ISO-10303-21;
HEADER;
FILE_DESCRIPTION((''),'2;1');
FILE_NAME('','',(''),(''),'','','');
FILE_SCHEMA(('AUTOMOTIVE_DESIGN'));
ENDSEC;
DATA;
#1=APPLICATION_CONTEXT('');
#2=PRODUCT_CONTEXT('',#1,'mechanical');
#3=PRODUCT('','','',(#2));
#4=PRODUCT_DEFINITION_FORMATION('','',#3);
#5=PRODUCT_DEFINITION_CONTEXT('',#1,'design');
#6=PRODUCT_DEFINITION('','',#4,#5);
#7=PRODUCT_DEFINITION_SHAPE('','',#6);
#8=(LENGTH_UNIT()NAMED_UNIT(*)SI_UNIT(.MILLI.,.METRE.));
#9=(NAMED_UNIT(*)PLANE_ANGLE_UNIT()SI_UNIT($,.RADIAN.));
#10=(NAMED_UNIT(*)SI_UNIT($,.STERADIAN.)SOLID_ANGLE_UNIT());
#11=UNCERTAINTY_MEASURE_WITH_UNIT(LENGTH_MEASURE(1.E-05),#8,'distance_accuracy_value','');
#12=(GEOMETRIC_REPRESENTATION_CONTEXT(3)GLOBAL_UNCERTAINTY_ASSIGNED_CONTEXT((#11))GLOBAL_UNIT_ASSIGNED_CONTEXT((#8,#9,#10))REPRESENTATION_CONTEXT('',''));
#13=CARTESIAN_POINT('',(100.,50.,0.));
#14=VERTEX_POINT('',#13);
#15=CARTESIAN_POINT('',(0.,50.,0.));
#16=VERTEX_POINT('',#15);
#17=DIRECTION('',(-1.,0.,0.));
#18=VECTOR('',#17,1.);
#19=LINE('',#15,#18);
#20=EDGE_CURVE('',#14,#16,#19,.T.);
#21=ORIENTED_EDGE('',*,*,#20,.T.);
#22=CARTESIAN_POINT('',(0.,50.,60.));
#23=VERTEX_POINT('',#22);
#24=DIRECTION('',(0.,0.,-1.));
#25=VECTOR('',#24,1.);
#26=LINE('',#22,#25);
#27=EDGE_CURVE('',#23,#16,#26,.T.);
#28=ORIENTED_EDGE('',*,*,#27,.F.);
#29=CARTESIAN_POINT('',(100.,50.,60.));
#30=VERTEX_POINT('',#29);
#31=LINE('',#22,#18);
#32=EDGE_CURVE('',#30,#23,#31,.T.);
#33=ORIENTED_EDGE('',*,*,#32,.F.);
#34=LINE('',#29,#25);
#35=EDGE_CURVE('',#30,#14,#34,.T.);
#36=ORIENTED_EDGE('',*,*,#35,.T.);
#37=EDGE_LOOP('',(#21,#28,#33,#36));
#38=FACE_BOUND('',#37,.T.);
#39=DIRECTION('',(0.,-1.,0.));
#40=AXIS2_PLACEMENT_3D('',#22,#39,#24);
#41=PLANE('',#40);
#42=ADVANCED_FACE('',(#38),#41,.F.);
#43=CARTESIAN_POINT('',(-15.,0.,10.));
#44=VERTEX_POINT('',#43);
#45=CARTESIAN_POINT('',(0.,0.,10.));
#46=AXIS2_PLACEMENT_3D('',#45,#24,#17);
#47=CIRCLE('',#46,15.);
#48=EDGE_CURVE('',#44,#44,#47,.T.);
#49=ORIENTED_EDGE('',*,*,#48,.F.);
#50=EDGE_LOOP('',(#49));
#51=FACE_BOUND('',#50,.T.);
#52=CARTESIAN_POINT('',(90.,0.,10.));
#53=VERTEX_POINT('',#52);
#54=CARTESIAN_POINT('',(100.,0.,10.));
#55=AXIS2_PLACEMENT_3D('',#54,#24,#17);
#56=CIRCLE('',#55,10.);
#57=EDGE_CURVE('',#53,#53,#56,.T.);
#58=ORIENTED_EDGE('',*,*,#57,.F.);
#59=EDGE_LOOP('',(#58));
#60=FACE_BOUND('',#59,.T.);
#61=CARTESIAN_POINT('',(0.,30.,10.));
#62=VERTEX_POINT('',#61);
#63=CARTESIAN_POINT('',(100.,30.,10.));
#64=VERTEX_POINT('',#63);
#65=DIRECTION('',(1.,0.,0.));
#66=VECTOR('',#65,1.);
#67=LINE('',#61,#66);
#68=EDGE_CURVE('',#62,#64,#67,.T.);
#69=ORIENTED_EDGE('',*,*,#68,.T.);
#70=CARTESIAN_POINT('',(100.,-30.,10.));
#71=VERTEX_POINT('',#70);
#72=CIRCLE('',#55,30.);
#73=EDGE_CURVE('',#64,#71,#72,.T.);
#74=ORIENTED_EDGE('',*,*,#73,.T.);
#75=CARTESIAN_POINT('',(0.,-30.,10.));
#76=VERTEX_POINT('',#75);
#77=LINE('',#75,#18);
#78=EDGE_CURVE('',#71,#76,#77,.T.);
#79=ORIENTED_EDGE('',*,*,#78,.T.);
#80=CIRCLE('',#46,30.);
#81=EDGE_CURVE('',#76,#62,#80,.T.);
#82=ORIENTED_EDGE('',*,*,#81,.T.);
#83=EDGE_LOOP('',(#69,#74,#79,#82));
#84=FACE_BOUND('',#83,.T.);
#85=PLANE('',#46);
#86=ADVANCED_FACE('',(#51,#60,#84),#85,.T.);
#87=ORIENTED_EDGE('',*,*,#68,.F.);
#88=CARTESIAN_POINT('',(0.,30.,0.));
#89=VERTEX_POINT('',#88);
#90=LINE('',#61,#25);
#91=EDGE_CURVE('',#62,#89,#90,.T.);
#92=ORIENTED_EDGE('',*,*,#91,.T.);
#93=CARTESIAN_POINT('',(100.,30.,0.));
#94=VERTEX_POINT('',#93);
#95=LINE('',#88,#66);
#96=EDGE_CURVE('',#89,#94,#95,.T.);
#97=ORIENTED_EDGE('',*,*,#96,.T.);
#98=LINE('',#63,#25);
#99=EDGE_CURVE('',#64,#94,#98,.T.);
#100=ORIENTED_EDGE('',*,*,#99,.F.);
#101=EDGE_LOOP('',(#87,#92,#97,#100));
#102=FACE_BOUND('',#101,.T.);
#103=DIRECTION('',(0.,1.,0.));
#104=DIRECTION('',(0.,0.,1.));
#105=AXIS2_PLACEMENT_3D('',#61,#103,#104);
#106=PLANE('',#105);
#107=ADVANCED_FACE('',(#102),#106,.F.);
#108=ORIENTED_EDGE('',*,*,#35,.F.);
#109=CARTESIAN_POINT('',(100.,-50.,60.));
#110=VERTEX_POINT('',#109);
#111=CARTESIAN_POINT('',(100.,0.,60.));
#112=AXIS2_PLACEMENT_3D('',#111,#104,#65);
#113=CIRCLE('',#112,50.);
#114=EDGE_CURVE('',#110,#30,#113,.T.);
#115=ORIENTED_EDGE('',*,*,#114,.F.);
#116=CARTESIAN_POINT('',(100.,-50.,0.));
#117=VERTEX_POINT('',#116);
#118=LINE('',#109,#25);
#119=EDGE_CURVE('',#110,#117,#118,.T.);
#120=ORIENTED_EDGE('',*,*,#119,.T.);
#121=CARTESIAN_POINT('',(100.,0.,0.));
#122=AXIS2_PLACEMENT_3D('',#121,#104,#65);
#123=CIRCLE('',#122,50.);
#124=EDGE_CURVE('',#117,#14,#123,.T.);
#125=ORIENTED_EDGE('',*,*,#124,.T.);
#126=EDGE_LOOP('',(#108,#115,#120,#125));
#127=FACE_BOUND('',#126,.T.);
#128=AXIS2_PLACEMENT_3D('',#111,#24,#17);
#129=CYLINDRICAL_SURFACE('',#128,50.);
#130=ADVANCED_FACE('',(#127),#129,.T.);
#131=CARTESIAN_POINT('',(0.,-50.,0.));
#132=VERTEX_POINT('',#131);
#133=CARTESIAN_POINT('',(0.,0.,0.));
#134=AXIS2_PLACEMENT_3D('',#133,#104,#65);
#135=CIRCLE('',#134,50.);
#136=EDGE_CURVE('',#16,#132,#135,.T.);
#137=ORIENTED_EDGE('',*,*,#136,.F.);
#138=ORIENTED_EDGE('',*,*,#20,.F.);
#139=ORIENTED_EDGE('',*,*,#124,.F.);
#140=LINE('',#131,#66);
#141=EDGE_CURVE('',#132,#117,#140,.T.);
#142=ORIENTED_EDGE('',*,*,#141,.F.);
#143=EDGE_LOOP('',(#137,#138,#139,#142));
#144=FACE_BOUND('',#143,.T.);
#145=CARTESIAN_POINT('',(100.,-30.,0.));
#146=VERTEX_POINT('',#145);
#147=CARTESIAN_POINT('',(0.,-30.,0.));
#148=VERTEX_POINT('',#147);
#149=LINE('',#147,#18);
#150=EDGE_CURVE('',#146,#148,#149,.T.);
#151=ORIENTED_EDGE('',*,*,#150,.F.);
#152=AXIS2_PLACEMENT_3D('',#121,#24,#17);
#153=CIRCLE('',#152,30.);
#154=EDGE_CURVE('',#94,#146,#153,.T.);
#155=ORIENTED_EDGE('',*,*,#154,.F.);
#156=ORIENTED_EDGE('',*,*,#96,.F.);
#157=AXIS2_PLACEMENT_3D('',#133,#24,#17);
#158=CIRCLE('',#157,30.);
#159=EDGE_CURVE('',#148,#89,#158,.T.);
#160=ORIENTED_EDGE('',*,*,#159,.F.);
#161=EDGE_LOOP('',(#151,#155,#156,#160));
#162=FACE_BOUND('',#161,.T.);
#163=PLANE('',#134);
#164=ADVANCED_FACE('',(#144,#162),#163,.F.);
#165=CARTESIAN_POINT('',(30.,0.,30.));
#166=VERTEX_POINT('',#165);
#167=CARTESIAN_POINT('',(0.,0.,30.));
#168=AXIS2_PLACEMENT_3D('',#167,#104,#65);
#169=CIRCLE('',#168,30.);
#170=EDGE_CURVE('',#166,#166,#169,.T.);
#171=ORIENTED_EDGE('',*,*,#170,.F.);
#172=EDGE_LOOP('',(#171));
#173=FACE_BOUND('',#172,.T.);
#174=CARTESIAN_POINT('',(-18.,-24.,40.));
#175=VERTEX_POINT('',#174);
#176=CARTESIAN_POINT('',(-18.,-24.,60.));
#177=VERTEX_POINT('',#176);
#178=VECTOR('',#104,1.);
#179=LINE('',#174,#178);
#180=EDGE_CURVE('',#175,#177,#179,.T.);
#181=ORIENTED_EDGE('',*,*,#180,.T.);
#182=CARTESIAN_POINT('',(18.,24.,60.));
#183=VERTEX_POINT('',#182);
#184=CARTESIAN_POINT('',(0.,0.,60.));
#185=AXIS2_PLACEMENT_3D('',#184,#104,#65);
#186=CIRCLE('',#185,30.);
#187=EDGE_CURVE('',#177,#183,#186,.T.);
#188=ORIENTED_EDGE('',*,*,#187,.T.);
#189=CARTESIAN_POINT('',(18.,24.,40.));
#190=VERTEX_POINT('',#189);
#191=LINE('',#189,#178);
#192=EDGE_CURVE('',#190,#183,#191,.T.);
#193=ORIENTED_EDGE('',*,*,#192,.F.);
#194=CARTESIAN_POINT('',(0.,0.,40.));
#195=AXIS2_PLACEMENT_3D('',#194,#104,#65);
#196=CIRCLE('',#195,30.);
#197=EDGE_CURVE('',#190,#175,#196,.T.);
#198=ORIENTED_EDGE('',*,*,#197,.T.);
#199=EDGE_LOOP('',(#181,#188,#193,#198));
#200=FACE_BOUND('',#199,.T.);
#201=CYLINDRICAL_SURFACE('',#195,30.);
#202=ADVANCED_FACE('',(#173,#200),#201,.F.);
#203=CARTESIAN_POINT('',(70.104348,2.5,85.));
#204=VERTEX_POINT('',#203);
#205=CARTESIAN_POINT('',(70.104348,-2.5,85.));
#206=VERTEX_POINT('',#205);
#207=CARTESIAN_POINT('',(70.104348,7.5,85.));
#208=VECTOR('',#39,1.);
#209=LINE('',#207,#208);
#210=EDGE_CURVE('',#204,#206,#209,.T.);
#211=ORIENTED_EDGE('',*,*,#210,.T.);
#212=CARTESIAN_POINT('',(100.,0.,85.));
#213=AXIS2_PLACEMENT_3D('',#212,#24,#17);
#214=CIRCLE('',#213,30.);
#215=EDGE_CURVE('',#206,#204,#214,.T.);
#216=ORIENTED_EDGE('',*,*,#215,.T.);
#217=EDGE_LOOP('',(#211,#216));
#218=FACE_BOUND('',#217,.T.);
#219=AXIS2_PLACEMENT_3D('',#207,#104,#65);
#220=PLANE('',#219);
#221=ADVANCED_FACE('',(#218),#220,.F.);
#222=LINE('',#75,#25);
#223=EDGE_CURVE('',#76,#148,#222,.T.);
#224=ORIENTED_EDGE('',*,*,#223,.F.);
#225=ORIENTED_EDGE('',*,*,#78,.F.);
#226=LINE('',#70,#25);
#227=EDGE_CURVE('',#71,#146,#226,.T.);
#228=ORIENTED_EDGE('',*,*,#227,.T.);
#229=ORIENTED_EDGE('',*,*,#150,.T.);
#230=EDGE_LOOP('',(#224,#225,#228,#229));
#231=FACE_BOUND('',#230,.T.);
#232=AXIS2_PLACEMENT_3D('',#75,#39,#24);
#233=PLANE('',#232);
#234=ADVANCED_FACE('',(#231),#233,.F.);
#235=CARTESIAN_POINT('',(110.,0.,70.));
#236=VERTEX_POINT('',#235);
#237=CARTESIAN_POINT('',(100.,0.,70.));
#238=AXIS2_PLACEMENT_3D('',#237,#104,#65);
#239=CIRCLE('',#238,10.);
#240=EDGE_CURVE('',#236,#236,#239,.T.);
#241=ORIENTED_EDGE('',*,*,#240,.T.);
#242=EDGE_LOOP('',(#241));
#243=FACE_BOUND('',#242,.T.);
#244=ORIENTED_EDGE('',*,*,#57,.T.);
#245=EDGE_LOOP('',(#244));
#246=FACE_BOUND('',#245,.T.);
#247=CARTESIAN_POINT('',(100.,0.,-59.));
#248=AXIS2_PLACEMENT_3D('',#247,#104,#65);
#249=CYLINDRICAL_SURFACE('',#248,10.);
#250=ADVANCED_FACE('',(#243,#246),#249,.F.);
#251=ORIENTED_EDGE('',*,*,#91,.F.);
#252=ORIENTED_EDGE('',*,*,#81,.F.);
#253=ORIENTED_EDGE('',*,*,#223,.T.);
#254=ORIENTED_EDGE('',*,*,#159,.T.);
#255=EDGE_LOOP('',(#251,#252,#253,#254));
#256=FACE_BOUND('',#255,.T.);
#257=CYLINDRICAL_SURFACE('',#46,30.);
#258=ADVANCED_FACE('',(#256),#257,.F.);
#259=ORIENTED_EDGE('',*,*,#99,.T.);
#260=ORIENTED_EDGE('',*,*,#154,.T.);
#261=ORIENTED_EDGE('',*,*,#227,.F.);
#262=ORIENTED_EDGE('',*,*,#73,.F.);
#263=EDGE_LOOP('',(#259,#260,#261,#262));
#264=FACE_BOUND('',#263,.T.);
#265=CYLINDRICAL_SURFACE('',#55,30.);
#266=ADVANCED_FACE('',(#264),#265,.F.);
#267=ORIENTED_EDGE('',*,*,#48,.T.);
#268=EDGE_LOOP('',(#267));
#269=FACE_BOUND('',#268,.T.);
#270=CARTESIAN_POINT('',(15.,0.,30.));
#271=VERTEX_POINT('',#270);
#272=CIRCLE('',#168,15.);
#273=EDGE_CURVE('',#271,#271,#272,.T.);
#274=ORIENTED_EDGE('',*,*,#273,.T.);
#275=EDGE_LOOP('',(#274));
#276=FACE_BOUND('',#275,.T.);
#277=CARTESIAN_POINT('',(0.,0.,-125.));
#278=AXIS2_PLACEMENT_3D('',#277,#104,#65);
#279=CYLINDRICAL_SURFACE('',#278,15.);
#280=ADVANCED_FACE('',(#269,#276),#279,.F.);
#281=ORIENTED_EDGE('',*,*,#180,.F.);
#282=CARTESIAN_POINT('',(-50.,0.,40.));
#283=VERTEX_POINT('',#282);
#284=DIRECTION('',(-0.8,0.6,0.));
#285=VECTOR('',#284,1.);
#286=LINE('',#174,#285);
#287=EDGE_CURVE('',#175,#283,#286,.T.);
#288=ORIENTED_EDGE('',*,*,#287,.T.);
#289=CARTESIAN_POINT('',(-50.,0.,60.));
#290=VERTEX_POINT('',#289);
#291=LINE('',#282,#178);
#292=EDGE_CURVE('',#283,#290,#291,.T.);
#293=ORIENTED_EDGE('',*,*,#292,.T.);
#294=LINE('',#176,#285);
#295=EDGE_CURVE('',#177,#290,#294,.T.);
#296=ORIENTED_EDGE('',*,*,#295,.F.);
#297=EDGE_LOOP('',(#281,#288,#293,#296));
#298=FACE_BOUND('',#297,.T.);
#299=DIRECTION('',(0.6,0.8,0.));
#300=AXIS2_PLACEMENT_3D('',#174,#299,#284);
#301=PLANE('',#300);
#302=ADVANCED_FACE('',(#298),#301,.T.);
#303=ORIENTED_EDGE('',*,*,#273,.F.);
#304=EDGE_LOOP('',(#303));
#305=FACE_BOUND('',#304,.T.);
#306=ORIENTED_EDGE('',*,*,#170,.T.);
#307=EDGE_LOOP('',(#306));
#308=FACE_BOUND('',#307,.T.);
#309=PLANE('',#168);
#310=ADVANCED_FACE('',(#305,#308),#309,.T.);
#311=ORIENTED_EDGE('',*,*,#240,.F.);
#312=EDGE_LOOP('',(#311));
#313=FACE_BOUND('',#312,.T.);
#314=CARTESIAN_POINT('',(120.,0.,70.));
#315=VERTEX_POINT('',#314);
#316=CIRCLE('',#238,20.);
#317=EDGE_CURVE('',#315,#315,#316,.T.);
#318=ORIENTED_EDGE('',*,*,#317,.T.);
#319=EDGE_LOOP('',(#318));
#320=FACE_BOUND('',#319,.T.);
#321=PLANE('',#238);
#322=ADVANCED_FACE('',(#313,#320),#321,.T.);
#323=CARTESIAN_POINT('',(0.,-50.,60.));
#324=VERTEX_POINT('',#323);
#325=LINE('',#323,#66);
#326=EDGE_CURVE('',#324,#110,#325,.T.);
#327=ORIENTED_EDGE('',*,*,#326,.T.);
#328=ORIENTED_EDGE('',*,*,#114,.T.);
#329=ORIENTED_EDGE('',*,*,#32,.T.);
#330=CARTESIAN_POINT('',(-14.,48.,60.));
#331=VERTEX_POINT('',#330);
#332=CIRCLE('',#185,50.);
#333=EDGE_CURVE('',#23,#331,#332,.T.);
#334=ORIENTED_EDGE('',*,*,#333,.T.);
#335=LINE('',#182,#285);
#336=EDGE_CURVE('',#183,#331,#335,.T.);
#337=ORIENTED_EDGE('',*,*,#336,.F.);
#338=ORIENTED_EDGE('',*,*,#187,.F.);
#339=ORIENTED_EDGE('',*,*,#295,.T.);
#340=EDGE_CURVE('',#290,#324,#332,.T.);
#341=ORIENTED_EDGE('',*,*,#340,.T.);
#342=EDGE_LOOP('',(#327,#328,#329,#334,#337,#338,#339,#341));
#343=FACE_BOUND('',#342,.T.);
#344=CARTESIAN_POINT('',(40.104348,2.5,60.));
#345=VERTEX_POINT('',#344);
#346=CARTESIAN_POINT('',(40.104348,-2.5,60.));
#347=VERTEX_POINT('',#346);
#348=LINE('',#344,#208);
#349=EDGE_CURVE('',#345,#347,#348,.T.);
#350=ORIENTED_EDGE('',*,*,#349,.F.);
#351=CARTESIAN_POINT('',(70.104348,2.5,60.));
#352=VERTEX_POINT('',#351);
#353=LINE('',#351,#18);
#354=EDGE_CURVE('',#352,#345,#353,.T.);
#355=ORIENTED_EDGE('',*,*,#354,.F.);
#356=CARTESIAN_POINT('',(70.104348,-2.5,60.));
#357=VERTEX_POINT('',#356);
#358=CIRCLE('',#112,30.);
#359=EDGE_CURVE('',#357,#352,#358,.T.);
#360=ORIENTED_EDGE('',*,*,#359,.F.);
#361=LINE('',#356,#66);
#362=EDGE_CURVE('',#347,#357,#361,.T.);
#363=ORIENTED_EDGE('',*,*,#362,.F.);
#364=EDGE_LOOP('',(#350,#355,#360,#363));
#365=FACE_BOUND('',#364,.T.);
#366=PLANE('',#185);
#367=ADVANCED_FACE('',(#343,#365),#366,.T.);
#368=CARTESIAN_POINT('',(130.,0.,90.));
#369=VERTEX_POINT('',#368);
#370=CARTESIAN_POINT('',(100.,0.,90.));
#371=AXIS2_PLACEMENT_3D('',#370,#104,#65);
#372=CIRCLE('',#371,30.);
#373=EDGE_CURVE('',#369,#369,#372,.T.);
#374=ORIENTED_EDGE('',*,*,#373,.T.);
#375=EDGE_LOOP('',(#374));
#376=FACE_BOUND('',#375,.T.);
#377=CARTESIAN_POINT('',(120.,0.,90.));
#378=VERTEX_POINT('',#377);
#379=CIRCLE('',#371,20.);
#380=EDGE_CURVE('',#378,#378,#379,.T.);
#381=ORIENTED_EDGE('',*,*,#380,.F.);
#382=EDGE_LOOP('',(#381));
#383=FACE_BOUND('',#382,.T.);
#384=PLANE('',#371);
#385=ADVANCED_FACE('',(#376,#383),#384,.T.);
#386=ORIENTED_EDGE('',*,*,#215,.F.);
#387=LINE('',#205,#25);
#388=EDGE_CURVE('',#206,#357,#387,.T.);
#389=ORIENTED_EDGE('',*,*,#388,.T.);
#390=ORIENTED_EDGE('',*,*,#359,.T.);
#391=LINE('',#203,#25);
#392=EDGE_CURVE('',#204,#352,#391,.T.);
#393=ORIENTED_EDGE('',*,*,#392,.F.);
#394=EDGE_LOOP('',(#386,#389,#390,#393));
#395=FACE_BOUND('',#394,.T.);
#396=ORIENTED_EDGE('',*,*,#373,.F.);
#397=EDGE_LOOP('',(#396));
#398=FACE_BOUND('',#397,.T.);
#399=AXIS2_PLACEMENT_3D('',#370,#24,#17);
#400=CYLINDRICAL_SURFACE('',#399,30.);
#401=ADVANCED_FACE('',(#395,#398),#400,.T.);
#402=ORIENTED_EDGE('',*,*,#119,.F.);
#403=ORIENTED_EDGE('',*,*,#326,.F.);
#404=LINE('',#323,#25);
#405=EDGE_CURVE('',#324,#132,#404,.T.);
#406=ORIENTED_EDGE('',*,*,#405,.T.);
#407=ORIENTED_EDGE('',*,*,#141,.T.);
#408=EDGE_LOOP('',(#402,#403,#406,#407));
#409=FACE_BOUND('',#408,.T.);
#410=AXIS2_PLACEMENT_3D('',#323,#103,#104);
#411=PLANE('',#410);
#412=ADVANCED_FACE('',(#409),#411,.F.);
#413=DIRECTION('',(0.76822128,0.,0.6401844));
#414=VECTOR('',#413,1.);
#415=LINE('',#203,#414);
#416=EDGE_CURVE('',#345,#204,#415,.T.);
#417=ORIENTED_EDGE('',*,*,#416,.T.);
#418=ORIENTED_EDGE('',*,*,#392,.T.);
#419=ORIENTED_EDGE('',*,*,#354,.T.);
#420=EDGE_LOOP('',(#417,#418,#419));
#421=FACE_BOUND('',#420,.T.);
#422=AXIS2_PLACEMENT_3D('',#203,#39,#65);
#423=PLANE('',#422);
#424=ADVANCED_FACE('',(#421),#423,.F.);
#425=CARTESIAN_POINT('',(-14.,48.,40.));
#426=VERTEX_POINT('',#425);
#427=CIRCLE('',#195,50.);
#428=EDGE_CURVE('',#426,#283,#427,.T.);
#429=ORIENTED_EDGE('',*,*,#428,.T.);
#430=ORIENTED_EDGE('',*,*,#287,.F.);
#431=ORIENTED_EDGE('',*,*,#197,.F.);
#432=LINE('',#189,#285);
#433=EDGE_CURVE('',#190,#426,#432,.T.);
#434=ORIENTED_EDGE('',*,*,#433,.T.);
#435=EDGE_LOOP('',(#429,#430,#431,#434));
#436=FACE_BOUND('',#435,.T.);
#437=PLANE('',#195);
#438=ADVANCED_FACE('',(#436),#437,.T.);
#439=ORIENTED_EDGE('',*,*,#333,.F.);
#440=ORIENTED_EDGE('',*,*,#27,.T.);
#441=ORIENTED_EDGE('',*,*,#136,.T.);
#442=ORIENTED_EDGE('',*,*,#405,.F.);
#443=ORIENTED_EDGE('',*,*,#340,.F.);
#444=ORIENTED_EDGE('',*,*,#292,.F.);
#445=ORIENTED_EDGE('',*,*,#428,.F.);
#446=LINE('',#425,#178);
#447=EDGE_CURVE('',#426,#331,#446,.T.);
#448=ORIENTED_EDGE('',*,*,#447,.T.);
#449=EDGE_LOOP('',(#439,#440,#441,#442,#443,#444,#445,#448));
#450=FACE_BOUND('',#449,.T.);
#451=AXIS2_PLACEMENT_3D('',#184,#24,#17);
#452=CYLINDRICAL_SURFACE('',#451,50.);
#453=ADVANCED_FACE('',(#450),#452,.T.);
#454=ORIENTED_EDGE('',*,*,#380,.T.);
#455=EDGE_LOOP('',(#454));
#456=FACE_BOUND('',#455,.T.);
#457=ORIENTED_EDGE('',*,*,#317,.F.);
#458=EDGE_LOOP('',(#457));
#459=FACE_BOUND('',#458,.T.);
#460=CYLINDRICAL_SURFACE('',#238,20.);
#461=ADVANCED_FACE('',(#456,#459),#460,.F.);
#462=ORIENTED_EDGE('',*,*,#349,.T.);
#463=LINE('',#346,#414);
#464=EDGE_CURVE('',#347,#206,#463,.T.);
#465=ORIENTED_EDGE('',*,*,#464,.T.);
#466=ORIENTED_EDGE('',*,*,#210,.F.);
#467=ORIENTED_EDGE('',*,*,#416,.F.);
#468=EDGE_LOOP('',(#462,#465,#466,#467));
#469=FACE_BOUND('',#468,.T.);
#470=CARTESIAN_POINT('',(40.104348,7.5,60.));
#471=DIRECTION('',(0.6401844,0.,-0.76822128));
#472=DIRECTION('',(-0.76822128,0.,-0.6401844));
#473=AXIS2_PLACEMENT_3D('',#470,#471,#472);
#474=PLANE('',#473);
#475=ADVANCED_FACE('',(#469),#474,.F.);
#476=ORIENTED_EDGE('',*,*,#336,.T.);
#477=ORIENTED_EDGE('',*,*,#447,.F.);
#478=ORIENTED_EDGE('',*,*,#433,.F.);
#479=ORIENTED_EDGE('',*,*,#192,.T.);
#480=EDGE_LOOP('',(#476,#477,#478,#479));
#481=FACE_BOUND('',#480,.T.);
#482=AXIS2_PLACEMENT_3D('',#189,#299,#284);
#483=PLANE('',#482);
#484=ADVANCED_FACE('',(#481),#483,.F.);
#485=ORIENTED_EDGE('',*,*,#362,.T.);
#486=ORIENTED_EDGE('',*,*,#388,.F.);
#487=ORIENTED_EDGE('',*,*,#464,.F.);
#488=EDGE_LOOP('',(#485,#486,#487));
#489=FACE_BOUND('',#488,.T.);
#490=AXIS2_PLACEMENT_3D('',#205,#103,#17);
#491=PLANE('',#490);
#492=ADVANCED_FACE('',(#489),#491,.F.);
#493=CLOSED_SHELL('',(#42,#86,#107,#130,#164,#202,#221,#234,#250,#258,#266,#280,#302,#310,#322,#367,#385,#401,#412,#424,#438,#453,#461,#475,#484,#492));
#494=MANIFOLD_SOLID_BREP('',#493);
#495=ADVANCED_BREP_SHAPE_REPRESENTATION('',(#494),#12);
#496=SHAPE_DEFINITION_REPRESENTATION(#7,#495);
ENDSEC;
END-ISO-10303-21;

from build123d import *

# Parameters (mm, degrees)
BOSS_EXTRUDE1_DEPTH = 60
CUT_EXTRUDE1_DEPTH  = 10
SKETCH3_R           = 30
BOSS_EXTRUDE2_DEPTH = 30
SKETCH4_R           = 20
CUT_EXTRUDE3_DEPTH  = 20
SKETCH5_R           = 10
CUT_EXTRUDE4_DEPTH  = 129
SKETCH7_W           = 30
SKETCH7_H           = 5
BOSS_EXTRUDE3_DEPTH = 25
CUT_EXTRUDE5_DEPTH  = 20
SKETCH9_R           = 30
CUT_EXTRUDE6_DEPTH  = 10
SKETCH10_R          = 15
CUT_EXTRUDE7_DEPTH  = 155
CUT_EXTRUDE8_DEPTH  = 10


with BuildPart() as part:
    # Sketch1 → Boss-Extrude1 (new body)
    with BuildSketch(Plane.XY):
        with BuildLine():
            Line((0, 50), (100, 50))
            ThreePointArc((100, 50), (150, 0), (100, -50))
            Line((100, -50), (0, -50))
            ThreePointArc((0, -50), (-50, 0), (0, 50))
        make_face()
    extrude(amount=BOSS_EXTRUDE1_DEPTH)

    # Sketch2 → Cut-Extrude1 (cut)
    with BuildSketch(Plane(origin=(0, 0, 0), x_dir=(-1, 0, 0), z_dir=(0, 0, -1))):
        with BuildLine():
            Line((0, -30), (-100, -30))
            ThreePointArc((-100, -30), (-130, 0), (-100, 30))
            Line((-100, 30), (0, 30))
            ThreePointArc((0, 30), (30, 0), (0, -30))
        make_face()
    extrude(amount=-CUT_EXTRUDE1_DEPTH, mode=Mode.SUBTRACT)

    # Sketch3 → Boss-Extrude2 (add)
    with BuildSketch(Plane.XY.offset(60)):
        with Locations((100, 0)):
            Circle(SKETCH3_R)
    extrude(amount=BOSS_EXTRUDE2_DEPTH)

    # Sketch4 → Cut-Extrude3 (cut)
    with BuildSketch(Plane.XY.offset(90)):
        with Locations((100, 0)):
            Circle(SKETCH4_R)
    extrude(amount=-CUT_EXTRUDE3_DEPTH, mode=Mode.SUBTRACT)

    # Sketch5 → Cut-Extrude4 (cut)
    with BuildSketch(Plane.XY.offset(70)):
        with Locations((100, 0)):
            Circle(SKETCH5_R)
    extrude(amount=-CUT_EXTRUDE4_DEPTH, mode=Mode.SUBTRACT)

    # Sketch7 → Boss-Extrude3 (add)
    with BuildSketch(Plane.XY.offset(60)):
        with Locations((55.104348142, 0)):
            Rectangle(SKETCH7_W, SKETCH7_H)
    extrude(amount=BOSS_EXTRUDE3_DEPTH)

    # Sketch8 → Cut-Extrude5 (cut)
    with BuildSketch(Plane.XY.offset(60)):
        with BuildLine():
            ThreePointArc((-14, 48), (-40, 30), (-50, 0))
            Line((-50, 0), (-18, -24))
            ThreePointArc((-18, -24), (24, -18), (18, 24))
            Line((18, 24), (-14, 48))
        make_face()
    extrude(amount=-CUT_EXTRUDE5_DEPTH, mode=Mode.SUBTRACT)

    # Sketch9 → Cut-Extrude6 (cut)
    with BuildSketch(Plane.XY.offset(40)):
        Circle(SKETCH9_R)
    extrude(amount=-CUT_EXTRUDE6_DEPTH, mode=Mode.SUBTRACT)

    # Sketch10 → Cut-Extrude7 (cut)
    with BuildSketch(Plane.XY.offset(30)):
        Circle(SKETCH10_R)
    extrude(amount=-CUT_EXTRUDE7_DEPTH, mode=Mode.SUBTRACT)

    # Sketch11 → Cut-Extrude8 (cut)
    with BuildSketch(Plane.XZ.offset(2.5)):
        Polygon((40.104348142, 60), (70.104348142, 85), (40.104348142, 85), align=None)
    extrude(amount=-CUT_EXTRUDE8_DEPTH, mode=Mode.SUBTRACT)


solid = part.part
